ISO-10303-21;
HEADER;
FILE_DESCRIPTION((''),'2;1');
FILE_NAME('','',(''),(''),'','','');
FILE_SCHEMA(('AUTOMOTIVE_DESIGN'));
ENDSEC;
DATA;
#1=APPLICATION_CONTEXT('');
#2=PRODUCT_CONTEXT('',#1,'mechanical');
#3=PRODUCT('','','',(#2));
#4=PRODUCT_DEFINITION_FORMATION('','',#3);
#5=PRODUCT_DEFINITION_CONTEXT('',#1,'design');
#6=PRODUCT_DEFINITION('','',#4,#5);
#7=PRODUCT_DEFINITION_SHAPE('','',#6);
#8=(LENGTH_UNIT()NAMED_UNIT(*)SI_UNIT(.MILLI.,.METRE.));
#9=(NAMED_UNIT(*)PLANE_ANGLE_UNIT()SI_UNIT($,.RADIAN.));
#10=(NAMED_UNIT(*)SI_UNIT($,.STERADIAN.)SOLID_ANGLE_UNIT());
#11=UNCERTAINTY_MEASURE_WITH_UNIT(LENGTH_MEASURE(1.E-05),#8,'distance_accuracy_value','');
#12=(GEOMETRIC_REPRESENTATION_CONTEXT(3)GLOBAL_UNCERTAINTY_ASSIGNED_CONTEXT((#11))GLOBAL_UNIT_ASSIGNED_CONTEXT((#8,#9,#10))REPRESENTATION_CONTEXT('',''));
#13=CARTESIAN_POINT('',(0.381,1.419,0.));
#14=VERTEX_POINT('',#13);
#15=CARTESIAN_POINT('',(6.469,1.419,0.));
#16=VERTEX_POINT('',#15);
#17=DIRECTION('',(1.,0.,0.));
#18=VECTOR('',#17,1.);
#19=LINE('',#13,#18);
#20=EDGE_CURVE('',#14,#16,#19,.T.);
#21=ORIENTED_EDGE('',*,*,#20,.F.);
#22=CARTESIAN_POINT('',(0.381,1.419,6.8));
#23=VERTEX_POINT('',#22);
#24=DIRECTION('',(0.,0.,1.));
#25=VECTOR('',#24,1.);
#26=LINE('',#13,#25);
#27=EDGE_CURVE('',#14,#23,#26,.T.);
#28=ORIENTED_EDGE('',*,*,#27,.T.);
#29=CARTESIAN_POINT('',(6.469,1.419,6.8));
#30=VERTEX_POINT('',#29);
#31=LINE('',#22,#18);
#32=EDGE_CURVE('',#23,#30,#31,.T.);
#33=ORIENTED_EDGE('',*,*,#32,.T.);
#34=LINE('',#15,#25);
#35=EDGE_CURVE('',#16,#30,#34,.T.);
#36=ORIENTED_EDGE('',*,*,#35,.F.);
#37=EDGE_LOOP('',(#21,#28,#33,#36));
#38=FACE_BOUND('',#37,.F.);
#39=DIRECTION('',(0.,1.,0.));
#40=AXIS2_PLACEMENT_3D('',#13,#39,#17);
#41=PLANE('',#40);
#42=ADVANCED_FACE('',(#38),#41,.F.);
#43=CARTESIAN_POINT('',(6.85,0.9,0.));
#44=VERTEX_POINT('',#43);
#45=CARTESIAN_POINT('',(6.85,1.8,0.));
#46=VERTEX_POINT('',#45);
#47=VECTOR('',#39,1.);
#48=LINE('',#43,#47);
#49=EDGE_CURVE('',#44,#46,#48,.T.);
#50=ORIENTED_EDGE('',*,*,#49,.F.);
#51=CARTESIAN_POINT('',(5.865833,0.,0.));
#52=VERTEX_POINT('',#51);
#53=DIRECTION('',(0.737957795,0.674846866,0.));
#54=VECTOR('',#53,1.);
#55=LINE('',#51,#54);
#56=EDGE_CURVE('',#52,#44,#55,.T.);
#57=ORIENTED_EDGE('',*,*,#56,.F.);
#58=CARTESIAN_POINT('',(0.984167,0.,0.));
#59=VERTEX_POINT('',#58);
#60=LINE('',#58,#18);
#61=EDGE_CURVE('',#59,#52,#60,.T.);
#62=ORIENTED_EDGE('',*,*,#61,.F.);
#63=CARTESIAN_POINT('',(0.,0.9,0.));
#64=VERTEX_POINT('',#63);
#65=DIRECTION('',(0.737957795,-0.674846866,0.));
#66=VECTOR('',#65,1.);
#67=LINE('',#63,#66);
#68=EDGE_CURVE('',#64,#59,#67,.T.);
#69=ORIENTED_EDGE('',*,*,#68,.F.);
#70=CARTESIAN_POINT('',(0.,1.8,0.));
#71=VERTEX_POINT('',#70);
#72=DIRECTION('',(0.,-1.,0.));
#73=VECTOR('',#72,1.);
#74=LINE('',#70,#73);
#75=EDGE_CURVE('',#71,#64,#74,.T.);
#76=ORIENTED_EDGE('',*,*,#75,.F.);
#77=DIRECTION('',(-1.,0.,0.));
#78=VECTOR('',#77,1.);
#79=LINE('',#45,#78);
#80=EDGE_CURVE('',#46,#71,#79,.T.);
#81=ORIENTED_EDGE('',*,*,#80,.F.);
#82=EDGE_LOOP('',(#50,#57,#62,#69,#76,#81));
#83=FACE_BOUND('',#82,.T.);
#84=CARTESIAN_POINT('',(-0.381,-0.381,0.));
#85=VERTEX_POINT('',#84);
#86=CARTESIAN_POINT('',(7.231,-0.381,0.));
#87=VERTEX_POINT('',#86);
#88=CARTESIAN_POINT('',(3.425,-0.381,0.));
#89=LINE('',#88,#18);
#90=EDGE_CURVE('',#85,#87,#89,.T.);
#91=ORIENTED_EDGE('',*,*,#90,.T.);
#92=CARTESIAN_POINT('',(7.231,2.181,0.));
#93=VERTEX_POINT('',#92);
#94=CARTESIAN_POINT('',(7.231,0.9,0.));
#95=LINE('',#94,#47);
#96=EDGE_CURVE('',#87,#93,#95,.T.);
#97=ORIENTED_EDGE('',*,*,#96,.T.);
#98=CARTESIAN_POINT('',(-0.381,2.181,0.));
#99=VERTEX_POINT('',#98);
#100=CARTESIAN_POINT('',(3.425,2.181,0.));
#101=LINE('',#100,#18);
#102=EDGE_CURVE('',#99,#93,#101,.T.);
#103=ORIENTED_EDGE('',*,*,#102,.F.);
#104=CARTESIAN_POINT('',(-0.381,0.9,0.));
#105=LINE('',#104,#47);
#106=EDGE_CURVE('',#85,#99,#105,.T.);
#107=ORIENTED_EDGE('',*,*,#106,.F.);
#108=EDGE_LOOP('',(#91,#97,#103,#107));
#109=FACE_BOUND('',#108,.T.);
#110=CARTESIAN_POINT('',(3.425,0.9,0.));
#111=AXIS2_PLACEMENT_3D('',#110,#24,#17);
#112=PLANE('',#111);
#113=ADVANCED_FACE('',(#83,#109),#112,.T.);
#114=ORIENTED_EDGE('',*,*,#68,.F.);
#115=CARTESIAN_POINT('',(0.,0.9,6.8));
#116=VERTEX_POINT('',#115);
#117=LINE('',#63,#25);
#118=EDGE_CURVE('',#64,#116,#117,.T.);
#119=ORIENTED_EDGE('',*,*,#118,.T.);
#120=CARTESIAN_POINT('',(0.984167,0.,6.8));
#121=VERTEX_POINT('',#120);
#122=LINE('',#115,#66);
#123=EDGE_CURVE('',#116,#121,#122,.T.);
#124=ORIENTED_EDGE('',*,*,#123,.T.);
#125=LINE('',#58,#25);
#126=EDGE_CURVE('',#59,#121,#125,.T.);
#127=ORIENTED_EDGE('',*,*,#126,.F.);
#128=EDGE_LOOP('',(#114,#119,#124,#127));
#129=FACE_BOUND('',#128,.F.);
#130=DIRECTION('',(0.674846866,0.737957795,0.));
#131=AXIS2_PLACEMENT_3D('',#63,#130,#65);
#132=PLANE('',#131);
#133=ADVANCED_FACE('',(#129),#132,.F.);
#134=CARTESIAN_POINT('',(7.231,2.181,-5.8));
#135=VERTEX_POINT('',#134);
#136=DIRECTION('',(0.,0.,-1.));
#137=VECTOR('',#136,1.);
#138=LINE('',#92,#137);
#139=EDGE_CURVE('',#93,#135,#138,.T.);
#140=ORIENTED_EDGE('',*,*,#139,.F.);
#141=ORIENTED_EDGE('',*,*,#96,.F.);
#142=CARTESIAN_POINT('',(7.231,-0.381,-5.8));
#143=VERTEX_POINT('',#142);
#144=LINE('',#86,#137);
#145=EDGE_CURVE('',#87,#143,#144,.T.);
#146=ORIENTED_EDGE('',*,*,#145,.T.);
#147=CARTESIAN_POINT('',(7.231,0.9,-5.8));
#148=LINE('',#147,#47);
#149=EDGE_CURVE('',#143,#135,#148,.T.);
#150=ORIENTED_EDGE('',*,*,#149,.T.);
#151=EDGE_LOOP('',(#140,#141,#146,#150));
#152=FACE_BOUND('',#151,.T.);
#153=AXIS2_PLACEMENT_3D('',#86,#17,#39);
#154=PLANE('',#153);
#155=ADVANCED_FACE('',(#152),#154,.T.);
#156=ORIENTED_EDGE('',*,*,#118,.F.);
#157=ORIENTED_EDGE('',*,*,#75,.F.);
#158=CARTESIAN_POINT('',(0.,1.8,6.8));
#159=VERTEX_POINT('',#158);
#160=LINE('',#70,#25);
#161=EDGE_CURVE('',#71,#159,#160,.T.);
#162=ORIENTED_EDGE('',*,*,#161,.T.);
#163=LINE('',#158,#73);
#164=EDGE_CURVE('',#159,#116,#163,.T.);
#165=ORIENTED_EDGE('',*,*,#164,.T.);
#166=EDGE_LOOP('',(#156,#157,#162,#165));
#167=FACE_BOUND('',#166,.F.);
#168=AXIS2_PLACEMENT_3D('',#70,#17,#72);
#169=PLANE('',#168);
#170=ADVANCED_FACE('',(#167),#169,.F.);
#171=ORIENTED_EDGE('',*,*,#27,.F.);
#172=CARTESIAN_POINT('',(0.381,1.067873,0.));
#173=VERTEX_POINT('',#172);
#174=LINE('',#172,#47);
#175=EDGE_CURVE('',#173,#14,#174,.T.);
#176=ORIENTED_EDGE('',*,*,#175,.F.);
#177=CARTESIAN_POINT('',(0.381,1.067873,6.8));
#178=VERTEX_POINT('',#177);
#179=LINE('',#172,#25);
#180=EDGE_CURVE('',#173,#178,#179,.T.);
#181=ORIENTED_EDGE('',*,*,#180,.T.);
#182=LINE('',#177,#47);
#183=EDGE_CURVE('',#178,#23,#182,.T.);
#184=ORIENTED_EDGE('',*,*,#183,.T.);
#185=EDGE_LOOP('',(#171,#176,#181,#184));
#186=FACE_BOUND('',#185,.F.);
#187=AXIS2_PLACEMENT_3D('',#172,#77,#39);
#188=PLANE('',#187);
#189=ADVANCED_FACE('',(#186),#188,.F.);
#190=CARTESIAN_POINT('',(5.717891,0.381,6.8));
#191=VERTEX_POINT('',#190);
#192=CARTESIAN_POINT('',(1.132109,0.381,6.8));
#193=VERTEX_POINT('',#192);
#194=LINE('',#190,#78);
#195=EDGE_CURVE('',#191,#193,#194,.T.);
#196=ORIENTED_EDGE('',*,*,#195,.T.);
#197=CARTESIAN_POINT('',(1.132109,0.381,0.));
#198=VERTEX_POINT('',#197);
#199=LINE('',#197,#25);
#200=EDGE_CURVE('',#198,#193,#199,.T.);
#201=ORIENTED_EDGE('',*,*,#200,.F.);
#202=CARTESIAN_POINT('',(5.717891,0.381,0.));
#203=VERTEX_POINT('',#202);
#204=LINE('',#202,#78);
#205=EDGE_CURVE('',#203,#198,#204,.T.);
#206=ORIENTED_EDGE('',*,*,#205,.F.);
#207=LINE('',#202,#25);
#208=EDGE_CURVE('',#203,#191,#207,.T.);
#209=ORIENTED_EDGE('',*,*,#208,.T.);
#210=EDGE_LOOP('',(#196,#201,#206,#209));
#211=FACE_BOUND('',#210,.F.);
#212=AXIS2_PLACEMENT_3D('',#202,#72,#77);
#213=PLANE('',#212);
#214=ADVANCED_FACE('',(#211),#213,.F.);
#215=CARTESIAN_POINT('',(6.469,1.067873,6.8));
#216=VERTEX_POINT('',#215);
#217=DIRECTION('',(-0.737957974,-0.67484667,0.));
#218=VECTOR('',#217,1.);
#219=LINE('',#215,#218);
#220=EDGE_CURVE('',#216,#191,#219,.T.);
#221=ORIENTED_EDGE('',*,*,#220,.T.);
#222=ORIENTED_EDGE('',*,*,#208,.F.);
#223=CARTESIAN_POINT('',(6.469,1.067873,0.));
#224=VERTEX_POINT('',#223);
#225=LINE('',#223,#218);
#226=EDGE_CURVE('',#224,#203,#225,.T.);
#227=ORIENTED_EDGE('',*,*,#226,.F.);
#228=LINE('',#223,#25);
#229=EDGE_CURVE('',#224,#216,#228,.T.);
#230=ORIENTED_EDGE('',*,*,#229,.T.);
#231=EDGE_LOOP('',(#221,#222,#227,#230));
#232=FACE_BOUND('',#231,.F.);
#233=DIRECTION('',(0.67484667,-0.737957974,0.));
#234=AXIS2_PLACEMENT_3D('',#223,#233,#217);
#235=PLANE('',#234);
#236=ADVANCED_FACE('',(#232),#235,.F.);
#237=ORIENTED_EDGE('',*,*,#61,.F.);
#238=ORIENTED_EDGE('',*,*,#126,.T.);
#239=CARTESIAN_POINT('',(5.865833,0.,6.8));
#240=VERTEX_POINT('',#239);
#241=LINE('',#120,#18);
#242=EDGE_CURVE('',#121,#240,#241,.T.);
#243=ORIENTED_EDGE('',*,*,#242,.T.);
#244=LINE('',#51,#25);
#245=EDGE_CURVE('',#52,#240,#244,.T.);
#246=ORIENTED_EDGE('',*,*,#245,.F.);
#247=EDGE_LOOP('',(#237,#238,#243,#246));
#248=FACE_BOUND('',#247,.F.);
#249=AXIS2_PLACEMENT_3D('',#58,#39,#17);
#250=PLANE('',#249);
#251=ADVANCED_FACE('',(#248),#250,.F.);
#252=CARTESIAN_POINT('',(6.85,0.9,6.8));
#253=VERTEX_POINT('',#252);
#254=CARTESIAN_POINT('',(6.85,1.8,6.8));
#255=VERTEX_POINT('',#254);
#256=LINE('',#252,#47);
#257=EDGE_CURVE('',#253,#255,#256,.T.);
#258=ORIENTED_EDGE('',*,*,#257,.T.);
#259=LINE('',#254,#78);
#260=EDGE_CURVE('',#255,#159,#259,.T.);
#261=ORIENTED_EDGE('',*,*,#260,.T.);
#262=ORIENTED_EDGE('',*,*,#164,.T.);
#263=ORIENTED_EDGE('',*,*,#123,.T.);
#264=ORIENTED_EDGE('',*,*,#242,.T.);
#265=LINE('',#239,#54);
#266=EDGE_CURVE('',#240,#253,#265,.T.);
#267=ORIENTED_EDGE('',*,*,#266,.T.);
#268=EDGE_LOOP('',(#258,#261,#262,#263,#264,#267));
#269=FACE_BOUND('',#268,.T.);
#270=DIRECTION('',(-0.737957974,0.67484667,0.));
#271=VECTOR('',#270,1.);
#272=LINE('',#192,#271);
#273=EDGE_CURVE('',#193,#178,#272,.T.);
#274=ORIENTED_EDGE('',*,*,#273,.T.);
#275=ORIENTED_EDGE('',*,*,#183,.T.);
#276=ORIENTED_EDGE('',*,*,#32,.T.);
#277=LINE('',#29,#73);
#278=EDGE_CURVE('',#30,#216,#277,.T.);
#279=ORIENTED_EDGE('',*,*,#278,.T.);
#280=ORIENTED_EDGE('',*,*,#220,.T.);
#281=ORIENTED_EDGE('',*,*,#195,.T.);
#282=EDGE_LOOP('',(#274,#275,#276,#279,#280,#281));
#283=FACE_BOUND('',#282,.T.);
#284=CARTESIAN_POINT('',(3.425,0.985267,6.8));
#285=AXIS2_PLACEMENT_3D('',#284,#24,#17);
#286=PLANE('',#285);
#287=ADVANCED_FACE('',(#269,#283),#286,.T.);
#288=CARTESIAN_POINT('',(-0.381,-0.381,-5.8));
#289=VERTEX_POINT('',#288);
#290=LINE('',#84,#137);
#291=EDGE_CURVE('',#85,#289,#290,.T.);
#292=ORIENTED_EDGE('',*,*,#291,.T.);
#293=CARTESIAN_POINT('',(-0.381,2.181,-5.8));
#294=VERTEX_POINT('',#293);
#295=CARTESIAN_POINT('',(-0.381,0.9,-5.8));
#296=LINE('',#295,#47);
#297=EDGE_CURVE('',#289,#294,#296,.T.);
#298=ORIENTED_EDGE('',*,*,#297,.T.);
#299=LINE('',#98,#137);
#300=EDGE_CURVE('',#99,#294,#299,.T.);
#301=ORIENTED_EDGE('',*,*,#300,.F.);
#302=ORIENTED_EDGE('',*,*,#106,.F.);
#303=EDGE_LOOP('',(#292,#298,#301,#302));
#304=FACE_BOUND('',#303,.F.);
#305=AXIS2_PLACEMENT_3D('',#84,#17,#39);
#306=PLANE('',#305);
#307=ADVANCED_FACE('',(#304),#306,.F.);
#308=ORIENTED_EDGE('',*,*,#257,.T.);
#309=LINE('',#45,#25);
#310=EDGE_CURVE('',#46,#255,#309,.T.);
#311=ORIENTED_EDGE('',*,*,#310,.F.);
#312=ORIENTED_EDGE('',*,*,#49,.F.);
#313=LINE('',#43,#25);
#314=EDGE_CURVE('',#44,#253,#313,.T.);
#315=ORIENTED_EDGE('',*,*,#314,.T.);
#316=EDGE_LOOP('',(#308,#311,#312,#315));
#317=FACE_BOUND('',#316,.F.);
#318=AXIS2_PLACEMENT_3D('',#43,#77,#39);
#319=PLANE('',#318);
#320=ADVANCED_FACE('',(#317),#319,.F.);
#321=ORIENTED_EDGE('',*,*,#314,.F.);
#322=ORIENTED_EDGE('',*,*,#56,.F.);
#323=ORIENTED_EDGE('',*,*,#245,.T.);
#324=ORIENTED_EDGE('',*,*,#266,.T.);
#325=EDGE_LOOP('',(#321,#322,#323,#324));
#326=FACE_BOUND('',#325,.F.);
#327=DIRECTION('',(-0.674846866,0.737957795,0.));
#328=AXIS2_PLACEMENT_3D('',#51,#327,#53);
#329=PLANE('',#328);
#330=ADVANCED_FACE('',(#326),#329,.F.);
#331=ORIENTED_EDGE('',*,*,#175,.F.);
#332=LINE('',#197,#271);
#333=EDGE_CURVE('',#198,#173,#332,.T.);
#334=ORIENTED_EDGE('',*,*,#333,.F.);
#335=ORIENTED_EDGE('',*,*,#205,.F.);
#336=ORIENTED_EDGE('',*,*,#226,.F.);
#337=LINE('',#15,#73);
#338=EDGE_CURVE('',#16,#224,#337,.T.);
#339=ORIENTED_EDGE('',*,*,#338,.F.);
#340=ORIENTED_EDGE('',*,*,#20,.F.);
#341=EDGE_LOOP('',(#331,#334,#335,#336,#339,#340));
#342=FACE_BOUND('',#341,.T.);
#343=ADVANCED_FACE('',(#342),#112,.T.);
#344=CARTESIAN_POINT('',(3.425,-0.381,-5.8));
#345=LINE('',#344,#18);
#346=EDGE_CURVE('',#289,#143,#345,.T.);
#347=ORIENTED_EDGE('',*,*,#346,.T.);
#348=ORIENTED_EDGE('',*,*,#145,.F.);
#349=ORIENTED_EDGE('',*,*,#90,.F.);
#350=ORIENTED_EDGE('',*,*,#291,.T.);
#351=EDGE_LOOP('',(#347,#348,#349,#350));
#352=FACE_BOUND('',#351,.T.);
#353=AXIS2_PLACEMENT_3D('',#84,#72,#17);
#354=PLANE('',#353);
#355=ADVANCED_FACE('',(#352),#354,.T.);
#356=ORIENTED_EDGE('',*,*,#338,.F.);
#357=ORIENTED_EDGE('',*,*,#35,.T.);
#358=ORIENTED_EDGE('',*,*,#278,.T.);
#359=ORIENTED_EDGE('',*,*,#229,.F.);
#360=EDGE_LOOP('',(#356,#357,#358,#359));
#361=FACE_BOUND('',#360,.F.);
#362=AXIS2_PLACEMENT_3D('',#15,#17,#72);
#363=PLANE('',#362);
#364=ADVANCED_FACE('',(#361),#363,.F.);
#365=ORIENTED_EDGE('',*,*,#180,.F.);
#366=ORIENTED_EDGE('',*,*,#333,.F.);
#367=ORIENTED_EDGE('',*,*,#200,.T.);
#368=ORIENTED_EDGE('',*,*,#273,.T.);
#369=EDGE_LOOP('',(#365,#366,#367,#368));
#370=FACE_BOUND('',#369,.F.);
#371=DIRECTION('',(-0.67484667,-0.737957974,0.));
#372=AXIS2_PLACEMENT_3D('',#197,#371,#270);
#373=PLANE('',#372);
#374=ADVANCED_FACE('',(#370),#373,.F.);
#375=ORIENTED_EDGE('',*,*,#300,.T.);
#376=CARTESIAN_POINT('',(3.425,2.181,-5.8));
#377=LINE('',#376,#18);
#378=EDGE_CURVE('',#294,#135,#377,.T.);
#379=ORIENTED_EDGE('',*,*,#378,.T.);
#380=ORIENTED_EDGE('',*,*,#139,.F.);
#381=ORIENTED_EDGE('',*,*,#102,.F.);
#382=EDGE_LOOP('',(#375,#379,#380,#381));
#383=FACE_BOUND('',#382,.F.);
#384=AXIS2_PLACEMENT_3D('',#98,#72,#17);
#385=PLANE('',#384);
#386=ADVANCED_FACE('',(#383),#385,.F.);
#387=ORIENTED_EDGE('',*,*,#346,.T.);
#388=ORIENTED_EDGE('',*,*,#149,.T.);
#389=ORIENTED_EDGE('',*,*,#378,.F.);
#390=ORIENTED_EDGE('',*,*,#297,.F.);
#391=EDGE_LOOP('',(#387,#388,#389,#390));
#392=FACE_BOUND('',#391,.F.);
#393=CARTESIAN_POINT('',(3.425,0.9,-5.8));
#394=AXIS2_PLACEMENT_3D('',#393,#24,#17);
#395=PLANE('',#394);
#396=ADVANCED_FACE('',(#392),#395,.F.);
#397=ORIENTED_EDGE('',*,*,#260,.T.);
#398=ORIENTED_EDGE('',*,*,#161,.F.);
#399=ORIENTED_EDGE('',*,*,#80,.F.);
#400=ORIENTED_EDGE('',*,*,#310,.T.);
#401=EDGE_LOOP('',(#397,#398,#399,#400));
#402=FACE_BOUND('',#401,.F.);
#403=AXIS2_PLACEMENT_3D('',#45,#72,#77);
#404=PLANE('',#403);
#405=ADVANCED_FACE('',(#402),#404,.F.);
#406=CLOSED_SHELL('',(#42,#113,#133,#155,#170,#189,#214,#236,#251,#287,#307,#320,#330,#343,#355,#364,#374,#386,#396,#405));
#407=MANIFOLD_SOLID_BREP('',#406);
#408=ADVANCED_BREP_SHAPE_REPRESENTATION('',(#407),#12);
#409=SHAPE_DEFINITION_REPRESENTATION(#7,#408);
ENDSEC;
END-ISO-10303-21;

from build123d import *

# Parameters (mm, degrees)
F1_DEPTH = 6.8
F2_W     = 7.612
F2_H     = 2.562
F3_DEPTH = 5.8


with BuildPart() as f1:
    # F0 (on Top) → F1 (new body)
    with BuildSketch(Plane.XY):
        Polygon((0, 0.9), (0.984167, 0), (5.865833, 0), (6.85, 0.9), (6.85, 1.8), (0, 1.8), align=None)
        Polygon((1.132109, 0.381), (0.381, 1.067873), (0.381, 1.419), (6.469, 1.419), (6.469, 1.067873), (5.717891, 0.381), align=None, mode=Mode.SUBTRACT)
    extrude(amount=F1_DEPTH)

    # F2 (on Top) → F3 (join)
    with BuildSketch(Plane.XY):
        with Locations((3.425, 0.9)):
            Rectangle(F2_W, F2_H)
    extrude(amount=-F3_DEPTH)


solid = f1.part
